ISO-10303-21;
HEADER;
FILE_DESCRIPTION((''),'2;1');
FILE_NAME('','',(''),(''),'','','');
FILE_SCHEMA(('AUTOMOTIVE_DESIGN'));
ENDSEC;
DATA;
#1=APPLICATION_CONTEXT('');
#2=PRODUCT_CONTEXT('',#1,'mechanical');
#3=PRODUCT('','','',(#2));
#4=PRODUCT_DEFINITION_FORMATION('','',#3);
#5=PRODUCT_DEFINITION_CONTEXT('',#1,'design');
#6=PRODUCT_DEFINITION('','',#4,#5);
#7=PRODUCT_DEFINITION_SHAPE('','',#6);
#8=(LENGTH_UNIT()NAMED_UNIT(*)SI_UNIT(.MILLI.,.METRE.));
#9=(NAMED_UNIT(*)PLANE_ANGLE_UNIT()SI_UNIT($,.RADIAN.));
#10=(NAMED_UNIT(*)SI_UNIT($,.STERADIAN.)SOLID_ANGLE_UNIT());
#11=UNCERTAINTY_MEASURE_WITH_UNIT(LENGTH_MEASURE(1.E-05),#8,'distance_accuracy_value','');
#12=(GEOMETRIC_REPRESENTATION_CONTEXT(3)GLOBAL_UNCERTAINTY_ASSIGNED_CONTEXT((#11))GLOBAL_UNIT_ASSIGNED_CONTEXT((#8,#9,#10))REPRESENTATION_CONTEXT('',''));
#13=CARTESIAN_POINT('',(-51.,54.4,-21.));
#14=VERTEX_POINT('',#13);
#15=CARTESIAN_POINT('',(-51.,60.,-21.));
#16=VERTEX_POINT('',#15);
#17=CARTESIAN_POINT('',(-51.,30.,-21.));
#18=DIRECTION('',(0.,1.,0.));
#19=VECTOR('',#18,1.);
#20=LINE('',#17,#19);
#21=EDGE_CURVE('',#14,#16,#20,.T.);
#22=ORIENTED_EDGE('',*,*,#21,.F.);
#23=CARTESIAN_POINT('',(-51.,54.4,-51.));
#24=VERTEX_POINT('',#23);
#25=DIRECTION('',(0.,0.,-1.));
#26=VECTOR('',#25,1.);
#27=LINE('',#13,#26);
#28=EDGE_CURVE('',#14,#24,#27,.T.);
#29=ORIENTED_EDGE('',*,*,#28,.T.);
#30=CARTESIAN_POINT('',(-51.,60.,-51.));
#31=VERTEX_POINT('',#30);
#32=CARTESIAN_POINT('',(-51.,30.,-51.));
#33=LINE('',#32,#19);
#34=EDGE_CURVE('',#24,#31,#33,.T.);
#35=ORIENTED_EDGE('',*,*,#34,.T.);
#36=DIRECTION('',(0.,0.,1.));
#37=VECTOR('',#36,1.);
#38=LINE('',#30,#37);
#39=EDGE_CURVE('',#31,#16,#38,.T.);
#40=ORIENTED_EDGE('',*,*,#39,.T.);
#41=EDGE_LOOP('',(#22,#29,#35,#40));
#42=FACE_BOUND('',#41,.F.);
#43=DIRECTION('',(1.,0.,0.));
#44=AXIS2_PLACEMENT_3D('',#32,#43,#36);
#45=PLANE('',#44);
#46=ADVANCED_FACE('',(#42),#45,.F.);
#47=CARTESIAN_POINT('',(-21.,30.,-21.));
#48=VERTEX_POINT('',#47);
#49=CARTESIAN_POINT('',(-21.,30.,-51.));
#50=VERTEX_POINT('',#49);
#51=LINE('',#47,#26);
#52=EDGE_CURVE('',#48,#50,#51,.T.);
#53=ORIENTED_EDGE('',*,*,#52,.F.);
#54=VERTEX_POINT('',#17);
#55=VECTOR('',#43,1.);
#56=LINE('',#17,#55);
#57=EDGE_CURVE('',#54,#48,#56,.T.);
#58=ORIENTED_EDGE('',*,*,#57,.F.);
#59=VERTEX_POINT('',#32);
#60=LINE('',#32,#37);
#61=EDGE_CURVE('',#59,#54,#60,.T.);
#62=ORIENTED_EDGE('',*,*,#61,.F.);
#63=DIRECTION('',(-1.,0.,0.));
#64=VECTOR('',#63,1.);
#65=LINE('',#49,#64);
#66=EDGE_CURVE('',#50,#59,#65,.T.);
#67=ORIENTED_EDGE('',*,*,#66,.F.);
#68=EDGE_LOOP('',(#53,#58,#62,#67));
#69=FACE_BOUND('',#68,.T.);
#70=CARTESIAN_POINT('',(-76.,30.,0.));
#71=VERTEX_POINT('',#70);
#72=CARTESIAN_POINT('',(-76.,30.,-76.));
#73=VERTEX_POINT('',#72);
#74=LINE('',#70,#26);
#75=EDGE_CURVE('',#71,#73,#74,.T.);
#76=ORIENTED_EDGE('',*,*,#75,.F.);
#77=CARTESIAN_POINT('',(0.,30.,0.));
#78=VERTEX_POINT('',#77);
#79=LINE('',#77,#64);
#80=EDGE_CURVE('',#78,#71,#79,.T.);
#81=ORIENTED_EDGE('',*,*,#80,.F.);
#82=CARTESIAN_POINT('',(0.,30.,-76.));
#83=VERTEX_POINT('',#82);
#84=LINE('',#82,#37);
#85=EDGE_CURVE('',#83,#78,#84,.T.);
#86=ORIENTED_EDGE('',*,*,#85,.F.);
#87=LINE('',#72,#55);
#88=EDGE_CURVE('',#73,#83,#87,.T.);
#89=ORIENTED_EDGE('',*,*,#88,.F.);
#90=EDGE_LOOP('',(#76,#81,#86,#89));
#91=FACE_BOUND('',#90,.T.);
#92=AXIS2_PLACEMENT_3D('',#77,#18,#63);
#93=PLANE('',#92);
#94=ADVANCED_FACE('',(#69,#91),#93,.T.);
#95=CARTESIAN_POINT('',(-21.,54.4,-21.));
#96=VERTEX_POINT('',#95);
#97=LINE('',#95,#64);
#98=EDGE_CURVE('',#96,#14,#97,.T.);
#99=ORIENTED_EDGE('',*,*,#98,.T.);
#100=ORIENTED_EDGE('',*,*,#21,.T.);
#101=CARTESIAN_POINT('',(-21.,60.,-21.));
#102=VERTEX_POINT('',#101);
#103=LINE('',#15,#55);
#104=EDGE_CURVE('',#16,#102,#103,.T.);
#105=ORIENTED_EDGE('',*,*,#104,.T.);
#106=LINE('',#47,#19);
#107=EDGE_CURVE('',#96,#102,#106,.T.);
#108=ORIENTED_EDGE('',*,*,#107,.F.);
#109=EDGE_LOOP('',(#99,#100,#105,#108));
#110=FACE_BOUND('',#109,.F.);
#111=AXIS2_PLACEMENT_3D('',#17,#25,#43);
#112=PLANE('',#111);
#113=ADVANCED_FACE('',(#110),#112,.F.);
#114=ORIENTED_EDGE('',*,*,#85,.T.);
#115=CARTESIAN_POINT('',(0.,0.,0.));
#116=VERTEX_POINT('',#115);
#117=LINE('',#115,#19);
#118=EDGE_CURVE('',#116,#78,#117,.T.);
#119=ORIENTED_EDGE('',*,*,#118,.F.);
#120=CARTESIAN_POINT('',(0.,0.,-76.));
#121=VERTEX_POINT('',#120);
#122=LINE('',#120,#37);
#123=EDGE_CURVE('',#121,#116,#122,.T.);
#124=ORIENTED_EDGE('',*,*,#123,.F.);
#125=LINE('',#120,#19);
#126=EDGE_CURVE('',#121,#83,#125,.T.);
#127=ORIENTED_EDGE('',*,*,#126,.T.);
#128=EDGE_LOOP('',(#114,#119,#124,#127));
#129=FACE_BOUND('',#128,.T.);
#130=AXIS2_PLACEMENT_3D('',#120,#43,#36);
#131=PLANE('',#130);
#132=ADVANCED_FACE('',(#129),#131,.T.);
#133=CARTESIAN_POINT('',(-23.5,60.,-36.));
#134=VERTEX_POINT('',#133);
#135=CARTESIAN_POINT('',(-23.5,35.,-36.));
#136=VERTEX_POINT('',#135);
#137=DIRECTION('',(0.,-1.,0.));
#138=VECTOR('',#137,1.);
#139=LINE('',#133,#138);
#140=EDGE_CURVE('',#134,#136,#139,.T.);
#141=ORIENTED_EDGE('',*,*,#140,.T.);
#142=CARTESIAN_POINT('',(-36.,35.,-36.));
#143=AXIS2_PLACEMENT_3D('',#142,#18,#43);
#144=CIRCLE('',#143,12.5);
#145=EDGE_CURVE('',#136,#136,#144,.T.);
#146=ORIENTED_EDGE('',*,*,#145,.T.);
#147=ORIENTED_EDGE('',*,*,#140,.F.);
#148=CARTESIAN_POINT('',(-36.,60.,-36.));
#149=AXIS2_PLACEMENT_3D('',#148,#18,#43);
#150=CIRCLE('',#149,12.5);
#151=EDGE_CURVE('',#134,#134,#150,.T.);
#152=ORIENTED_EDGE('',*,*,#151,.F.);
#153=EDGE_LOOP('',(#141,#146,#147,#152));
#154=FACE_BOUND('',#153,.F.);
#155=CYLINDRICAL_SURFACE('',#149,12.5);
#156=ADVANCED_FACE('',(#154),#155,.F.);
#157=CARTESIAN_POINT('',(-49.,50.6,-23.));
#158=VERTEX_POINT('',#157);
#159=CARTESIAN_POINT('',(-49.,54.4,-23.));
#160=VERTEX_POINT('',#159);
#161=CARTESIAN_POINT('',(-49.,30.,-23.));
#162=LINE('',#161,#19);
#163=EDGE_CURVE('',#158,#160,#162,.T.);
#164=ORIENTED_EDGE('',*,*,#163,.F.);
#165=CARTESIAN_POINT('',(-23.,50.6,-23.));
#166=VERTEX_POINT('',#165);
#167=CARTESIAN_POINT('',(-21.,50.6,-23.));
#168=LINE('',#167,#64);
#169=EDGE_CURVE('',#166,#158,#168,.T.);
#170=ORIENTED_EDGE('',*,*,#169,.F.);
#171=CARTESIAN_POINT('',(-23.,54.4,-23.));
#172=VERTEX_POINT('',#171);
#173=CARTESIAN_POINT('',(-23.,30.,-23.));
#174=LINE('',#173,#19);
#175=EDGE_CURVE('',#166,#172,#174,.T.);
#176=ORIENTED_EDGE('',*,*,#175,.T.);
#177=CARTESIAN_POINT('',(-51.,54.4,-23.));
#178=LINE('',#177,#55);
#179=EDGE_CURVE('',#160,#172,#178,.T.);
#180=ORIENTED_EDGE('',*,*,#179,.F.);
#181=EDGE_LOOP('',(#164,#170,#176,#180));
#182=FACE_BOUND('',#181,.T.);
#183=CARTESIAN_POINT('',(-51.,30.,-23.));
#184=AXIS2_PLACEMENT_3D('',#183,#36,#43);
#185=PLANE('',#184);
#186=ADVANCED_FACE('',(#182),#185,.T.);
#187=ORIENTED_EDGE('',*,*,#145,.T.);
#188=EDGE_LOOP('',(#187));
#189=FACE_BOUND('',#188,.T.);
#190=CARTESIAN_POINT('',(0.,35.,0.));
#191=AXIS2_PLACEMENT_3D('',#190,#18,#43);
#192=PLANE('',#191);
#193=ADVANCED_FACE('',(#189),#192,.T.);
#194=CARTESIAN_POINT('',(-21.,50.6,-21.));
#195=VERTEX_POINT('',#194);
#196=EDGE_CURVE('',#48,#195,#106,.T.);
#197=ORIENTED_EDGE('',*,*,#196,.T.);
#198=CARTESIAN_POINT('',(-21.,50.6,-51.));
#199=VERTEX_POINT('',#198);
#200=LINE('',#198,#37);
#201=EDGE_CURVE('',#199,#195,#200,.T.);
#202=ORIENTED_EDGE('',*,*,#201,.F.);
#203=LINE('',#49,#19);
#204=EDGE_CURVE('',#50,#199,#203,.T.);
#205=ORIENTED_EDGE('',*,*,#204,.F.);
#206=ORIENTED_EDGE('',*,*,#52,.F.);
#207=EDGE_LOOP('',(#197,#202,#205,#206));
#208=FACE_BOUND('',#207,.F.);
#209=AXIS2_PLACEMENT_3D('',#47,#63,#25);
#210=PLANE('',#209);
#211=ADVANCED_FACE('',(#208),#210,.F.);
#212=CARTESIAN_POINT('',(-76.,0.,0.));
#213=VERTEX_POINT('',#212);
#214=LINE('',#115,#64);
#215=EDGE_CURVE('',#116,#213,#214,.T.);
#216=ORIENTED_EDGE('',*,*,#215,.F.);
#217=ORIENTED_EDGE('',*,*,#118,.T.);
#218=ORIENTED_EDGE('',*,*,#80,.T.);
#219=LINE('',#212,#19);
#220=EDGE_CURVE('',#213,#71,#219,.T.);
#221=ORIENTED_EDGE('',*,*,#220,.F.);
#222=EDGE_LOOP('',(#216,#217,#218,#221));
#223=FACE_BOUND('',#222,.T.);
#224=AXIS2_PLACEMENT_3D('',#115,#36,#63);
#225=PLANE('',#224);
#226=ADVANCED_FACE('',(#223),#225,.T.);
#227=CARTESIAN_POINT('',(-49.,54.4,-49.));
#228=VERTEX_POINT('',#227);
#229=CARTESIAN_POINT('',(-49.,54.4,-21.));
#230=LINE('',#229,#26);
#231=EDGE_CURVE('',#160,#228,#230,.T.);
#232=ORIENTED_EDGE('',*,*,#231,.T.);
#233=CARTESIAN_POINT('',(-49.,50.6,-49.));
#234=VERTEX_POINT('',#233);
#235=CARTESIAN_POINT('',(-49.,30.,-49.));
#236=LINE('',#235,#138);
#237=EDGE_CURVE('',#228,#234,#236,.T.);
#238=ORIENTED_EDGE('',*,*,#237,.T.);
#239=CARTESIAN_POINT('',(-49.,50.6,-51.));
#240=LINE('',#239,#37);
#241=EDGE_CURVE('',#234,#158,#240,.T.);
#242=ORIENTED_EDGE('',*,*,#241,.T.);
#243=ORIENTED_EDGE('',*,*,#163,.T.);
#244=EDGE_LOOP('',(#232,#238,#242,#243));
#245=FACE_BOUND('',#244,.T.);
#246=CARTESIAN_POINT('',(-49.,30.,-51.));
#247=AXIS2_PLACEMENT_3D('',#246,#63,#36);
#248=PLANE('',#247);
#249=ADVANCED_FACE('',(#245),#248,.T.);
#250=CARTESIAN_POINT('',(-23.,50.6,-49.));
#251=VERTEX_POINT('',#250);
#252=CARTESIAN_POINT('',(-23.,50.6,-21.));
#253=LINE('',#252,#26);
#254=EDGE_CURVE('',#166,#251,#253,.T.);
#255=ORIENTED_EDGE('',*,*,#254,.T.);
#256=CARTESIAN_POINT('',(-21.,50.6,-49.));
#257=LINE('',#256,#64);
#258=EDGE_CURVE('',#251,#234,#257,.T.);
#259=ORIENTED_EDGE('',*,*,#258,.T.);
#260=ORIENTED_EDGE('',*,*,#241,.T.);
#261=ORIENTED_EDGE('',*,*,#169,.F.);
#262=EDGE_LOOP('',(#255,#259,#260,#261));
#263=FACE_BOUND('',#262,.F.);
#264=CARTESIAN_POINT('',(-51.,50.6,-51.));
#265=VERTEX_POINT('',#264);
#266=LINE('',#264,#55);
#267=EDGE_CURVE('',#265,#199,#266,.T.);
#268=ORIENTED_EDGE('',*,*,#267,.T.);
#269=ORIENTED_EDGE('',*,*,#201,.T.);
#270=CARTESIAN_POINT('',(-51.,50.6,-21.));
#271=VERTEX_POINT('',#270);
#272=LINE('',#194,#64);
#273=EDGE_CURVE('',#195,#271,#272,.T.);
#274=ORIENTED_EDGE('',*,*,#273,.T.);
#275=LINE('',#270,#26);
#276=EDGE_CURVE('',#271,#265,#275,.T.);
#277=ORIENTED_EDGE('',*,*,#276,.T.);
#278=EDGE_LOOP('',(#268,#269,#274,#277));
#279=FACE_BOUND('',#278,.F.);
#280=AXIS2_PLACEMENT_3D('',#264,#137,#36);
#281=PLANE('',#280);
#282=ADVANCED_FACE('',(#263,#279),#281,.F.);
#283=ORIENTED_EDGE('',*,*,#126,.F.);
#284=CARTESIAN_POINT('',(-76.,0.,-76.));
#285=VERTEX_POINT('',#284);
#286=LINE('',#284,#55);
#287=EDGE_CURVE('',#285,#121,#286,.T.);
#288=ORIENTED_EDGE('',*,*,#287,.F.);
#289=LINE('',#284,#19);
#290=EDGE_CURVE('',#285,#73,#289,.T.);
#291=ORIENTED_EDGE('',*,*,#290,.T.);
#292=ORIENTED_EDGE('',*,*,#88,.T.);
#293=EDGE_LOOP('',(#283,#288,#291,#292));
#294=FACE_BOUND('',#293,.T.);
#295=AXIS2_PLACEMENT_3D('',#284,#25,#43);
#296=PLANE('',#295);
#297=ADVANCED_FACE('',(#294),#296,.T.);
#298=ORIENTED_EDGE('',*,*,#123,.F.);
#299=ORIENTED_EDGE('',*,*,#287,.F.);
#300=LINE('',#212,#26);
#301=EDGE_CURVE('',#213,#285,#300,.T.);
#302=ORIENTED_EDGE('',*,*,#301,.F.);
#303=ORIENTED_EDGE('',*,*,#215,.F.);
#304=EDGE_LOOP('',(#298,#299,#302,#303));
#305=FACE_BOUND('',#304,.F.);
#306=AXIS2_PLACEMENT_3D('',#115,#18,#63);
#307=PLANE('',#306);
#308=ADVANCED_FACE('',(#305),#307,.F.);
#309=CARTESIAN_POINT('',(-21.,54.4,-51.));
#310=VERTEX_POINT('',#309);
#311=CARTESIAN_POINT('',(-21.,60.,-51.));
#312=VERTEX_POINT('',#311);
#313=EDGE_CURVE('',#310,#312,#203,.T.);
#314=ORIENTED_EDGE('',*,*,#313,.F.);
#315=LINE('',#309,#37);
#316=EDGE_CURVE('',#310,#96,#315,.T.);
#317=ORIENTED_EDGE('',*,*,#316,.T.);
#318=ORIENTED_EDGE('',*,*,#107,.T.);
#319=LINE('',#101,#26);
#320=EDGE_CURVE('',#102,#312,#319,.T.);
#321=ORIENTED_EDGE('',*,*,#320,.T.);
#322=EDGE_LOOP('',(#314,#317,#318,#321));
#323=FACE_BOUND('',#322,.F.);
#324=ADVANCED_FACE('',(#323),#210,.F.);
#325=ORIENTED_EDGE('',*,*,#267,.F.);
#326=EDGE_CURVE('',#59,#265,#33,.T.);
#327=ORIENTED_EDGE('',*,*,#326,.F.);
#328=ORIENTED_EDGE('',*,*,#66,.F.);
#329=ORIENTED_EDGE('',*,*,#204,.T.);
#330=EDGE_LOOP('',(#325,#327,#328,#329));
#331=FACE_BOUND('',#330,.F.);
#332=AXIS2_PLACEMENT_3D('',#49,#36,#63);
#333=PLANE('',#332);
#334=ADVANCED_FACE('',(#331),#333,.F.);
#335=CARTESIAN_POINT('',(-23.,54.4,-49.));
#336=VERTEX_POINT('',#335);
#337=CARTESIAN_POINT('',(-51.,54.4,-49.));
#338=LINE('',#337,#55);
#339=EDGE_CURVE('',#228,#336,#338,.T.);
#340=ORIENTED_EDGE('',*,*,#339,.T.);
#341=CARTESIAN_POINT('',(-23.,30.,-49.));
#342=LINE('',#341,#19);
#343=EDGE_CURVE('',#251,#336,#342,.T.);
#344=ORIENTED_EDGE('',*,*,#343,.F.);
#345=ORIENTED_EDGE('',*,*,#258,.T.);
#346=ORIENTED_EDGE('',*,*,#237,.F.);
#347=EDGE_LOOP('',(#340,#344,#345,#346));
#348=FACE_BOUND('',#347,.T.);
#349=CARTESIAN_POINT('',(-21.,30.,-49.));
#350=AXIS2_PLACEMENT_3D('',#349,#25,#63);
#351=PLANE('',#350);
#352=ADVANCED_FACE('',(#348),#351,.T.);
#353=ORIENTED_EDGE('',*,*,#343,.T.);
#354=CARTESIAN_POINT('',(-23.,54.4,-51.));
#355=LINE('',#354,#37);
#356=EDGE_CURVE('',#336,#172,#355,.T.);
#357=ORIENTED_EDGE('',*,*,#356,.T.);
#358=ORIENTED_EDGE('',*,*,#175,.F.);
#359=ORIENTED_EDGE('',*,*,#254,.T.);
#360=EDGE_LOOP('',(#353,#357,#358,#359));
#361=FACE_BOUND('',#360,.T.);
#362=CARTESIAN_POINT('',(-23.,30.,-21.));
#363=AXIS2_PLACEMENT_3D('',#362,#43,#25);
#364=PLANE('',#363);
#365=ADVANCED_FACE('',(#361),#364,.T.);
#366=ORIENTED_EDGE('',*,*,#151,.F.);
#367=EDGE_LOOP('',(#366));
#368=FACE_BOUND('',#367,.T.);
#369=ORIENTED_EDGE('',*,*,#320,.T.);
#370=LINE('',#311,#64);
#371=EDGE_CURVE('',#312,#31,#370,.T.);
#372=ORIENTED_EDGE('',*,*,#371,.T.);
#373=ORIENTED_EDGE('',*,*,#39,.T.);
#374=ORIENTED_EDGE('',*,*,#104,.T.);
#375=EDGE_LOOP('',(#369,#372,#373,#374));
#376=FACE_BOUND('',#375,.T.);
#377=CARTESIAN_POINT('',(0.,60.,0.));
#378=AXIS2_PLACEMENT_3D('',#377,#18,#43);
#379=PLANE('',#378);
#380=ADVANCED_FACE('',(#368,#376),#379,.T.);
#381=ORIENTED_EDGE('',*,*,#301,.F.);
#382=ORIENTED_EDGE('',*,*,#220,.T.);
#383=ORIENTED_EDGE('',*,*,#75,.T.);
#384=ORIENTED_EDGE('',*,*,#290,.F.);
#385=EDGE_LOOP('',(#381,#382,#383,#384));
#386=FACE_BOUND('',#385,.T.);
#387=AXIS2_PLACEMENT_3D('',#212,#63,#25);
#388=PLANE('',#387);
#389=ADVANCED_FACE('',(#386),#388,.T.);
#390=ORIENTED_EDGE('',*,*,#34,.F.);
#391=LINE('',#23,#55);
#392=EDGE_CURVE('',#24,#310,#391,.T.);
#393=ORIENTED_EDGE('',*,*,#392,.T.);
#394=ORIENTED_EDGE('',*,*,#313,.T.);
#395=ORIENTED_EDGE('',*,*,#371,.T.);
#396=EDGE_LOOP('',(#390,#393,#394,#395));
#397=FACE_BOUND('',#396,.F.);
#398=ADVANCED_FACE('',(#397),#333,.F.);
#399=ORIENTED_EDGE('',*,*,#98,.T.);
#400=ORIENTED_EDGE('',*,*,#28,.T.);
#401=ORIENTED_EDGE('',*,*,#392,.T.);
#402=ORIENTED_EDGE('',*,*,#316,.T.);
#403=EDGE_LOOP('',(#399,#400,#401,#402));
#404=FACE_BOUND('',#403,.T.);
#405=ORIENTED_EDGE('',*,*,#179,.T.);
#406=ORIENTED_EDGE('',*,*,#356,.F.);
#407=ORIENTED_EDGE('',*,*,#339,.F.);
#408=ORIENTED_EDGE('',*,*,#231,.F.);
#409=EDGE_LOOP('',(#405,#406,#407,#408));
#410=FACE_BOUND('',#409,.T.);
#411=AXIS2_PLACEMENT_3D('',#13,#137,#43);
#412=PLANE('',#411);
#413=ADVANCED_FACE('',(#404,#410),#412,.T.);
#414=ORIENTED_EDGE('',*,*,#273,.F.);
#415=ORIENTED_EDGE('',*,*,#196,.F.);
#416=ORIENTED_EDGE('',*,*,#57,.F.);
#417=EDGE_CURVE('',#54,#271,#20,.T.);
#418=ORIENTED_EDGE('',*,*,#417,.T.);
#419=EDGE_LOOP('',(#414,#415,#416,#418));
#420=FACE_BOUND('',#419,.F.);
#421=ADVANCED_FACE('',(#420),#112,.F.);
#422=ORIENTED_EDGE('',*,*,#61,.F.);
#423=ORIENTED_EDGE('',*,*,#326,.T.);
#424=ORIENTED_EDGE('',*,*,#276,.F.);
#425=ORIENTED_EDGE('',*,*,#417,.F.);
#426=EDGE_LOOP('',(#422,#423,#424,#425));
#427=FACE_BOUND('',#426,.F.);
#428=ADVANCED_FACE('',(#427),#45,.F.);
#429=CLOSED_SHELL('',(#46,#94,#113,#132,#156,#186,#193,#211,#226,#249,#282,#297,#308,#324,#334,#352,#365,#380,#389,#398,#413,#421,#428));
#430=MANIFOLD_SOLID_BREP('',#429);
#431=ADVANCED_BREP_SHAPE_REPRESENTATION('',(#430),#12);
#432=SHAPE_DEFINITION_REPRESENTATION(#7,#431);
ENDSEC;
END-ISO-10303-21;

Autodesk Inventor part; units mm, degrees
ref_plane "YZ Plane" through (0, 0, 0) normal (1, 0, 0) x (0, 1, 0)
ref_plane "XZ Plane" through (0, 0, 0) normal (0, 1, 0) x (-1, 0, 0)
ref_plane "XY Plane" through (0, 0, 0) normal (0, 0, 1) x (1, 0, 0)
sketch "Sketch1" plane through (0, 0, 0) normal (0, 1, 0) x (-1, 0, 0)
  line L0 (0, 0) -> (76, 0)
  line L1 (76, 0) -> (76, -76)
  line L2 (76, -76) -> (0, -76)
  line L3 (0, -76) -> (0, 0)
  dimension "d0" = 76
  dimension "d1" = 76
extrude "Extrusion1" add sketch "Sketch1" along normal blind 30
sketch "Sketch2" plane through (0, 30, 0) normal (0, 1, 0) x (1, 0, 0)
  point P0 (0, 0)
sketch "Sketch3" plane through (0, 30, 0) normal (0, 1, 0) x (1, 0, 0)
  line L0 (-51, 21) -> (-21, 21)
  line L1 (-21, 21) -> (-21, 51)
  line L2 (-21, 51) -> (-51, 51)
  line L3 (-51, 51) -> (-51, 21)
  point P0 (0, 0)
  dimension "d4" = 30
  dimension "d5" = 30
extrude "Extrusion2" add sketch "Sketch3" along normal blind 30
sketch "Sketch4" plane through (-21, 30, -21) normal (1, 0, 0) x (0, 0, -1)
  line L0 (30, 0) -> (30, 30) projected
  line L1 (0, 20.6) -> (30, 20.6)
  line L2 (30, 20.6) -> (30, 24.4)
  line L3 (30, 24.4) -> (0, 24.4)
  line L4 (0, 24.4) -> (0, 20.6)
  point P0 (-21, -30)
  point P1 (0, 22.5)
  point P2 (30, 22.5)
  dimension "d8" = 3.8
sketch "Sketch5" plane through (-21, 30, -51) normal (0, 0, -1) x (-1, 0, 0)
  line L0 (30, 0) -> (30, 30) projected
  line L1 (0, 20.6) -> (30, 20.6)
  line L2 (30, 20.6) -> (30, 24.4)
  line L3 (30, 24.4) -> (0, 24.4)
  line L4 (0, 24.4) -> (0, 20.6)
  line L5 (0, 20.6) -> (30, 24.4) construction
  line L6 (30, 20.6) -> (0, 24.4) construction
  point P0 (-21, -30)
  point P1 (30, 22.5)
  point P2 (15, 22.5)
  dimension "d9" = 3.8
sketch "Sketch6" plane through (-51, 30, -51) normal (-1, 0, 0) x (0, 0, 1)
  line L0 (30, 0) -> (30, 30) projected
  line L1 (0, 20.6) -> (30, 20.6)
  line L2 (30, 20.6) -> (30, 24.4)
  line L3 (30, 24.4) -> (0, 24.4)
  line L4 (0, 24.4) -> (0, 20.6)
  line L5 (0, 20.6) -> (30, 24.4) construction
  line L6 (30, 20.6) -> (0, 24.4) construction
  point P0 (51, -30)
  point P1 (15, 22.5)
  dimension "d10" = 3.8
sketch "Sketch7" plane through (-51, 30, -21) normal (0, 0, 1) x (1, 0, 0)
  line L0 (30, 0) -> (30, 30) projected
  line L1 (0, 24.4) -> (30, 24.4)
  line L2 (30, 24.4) -> (30, 20.6)
  line L3 (30, 20.6) -> (0, 20.6)
  line L4 (0, 20.6) -> (0, 24.4)
  line L5 (0, 24.4) -> (30, 20.6) construction
  line L6 (30, 24.4) -> (0, 20.6) construction
  point P0 (51, -30)
  point P1 (15, 22.5)
  dimension "d11" = 3.8
extrude "Extrusion3" cut sketch "Sketch6" against normal blind 2
extrude "Extrusion4" cut sketch "Sketch7" against normal blind 2
extrude "Extrusion5" cut sketch "Sketch4" against normal blind 2
extrude "Extrusion6" cut sketch "Sketch5" against normal blind 2
sketch "Sketch8" plane through (0, 60, 0) normal (0, 1, 0) x (1, 0, 0)
  line L0 (-21, 21) -> (-51, 21) projected
  line L1 (-21, 51) -> (-21, 21) projected
  circle A0 centre (-36, 36) radius 12.5
  point P0 (0, 0)
  dimension "d20" = 25
extrude "Extrusion7" cut sketch "Sketch8" against normal blind 25
properties part number "Hydraulic cylinder part 1.dwg"
